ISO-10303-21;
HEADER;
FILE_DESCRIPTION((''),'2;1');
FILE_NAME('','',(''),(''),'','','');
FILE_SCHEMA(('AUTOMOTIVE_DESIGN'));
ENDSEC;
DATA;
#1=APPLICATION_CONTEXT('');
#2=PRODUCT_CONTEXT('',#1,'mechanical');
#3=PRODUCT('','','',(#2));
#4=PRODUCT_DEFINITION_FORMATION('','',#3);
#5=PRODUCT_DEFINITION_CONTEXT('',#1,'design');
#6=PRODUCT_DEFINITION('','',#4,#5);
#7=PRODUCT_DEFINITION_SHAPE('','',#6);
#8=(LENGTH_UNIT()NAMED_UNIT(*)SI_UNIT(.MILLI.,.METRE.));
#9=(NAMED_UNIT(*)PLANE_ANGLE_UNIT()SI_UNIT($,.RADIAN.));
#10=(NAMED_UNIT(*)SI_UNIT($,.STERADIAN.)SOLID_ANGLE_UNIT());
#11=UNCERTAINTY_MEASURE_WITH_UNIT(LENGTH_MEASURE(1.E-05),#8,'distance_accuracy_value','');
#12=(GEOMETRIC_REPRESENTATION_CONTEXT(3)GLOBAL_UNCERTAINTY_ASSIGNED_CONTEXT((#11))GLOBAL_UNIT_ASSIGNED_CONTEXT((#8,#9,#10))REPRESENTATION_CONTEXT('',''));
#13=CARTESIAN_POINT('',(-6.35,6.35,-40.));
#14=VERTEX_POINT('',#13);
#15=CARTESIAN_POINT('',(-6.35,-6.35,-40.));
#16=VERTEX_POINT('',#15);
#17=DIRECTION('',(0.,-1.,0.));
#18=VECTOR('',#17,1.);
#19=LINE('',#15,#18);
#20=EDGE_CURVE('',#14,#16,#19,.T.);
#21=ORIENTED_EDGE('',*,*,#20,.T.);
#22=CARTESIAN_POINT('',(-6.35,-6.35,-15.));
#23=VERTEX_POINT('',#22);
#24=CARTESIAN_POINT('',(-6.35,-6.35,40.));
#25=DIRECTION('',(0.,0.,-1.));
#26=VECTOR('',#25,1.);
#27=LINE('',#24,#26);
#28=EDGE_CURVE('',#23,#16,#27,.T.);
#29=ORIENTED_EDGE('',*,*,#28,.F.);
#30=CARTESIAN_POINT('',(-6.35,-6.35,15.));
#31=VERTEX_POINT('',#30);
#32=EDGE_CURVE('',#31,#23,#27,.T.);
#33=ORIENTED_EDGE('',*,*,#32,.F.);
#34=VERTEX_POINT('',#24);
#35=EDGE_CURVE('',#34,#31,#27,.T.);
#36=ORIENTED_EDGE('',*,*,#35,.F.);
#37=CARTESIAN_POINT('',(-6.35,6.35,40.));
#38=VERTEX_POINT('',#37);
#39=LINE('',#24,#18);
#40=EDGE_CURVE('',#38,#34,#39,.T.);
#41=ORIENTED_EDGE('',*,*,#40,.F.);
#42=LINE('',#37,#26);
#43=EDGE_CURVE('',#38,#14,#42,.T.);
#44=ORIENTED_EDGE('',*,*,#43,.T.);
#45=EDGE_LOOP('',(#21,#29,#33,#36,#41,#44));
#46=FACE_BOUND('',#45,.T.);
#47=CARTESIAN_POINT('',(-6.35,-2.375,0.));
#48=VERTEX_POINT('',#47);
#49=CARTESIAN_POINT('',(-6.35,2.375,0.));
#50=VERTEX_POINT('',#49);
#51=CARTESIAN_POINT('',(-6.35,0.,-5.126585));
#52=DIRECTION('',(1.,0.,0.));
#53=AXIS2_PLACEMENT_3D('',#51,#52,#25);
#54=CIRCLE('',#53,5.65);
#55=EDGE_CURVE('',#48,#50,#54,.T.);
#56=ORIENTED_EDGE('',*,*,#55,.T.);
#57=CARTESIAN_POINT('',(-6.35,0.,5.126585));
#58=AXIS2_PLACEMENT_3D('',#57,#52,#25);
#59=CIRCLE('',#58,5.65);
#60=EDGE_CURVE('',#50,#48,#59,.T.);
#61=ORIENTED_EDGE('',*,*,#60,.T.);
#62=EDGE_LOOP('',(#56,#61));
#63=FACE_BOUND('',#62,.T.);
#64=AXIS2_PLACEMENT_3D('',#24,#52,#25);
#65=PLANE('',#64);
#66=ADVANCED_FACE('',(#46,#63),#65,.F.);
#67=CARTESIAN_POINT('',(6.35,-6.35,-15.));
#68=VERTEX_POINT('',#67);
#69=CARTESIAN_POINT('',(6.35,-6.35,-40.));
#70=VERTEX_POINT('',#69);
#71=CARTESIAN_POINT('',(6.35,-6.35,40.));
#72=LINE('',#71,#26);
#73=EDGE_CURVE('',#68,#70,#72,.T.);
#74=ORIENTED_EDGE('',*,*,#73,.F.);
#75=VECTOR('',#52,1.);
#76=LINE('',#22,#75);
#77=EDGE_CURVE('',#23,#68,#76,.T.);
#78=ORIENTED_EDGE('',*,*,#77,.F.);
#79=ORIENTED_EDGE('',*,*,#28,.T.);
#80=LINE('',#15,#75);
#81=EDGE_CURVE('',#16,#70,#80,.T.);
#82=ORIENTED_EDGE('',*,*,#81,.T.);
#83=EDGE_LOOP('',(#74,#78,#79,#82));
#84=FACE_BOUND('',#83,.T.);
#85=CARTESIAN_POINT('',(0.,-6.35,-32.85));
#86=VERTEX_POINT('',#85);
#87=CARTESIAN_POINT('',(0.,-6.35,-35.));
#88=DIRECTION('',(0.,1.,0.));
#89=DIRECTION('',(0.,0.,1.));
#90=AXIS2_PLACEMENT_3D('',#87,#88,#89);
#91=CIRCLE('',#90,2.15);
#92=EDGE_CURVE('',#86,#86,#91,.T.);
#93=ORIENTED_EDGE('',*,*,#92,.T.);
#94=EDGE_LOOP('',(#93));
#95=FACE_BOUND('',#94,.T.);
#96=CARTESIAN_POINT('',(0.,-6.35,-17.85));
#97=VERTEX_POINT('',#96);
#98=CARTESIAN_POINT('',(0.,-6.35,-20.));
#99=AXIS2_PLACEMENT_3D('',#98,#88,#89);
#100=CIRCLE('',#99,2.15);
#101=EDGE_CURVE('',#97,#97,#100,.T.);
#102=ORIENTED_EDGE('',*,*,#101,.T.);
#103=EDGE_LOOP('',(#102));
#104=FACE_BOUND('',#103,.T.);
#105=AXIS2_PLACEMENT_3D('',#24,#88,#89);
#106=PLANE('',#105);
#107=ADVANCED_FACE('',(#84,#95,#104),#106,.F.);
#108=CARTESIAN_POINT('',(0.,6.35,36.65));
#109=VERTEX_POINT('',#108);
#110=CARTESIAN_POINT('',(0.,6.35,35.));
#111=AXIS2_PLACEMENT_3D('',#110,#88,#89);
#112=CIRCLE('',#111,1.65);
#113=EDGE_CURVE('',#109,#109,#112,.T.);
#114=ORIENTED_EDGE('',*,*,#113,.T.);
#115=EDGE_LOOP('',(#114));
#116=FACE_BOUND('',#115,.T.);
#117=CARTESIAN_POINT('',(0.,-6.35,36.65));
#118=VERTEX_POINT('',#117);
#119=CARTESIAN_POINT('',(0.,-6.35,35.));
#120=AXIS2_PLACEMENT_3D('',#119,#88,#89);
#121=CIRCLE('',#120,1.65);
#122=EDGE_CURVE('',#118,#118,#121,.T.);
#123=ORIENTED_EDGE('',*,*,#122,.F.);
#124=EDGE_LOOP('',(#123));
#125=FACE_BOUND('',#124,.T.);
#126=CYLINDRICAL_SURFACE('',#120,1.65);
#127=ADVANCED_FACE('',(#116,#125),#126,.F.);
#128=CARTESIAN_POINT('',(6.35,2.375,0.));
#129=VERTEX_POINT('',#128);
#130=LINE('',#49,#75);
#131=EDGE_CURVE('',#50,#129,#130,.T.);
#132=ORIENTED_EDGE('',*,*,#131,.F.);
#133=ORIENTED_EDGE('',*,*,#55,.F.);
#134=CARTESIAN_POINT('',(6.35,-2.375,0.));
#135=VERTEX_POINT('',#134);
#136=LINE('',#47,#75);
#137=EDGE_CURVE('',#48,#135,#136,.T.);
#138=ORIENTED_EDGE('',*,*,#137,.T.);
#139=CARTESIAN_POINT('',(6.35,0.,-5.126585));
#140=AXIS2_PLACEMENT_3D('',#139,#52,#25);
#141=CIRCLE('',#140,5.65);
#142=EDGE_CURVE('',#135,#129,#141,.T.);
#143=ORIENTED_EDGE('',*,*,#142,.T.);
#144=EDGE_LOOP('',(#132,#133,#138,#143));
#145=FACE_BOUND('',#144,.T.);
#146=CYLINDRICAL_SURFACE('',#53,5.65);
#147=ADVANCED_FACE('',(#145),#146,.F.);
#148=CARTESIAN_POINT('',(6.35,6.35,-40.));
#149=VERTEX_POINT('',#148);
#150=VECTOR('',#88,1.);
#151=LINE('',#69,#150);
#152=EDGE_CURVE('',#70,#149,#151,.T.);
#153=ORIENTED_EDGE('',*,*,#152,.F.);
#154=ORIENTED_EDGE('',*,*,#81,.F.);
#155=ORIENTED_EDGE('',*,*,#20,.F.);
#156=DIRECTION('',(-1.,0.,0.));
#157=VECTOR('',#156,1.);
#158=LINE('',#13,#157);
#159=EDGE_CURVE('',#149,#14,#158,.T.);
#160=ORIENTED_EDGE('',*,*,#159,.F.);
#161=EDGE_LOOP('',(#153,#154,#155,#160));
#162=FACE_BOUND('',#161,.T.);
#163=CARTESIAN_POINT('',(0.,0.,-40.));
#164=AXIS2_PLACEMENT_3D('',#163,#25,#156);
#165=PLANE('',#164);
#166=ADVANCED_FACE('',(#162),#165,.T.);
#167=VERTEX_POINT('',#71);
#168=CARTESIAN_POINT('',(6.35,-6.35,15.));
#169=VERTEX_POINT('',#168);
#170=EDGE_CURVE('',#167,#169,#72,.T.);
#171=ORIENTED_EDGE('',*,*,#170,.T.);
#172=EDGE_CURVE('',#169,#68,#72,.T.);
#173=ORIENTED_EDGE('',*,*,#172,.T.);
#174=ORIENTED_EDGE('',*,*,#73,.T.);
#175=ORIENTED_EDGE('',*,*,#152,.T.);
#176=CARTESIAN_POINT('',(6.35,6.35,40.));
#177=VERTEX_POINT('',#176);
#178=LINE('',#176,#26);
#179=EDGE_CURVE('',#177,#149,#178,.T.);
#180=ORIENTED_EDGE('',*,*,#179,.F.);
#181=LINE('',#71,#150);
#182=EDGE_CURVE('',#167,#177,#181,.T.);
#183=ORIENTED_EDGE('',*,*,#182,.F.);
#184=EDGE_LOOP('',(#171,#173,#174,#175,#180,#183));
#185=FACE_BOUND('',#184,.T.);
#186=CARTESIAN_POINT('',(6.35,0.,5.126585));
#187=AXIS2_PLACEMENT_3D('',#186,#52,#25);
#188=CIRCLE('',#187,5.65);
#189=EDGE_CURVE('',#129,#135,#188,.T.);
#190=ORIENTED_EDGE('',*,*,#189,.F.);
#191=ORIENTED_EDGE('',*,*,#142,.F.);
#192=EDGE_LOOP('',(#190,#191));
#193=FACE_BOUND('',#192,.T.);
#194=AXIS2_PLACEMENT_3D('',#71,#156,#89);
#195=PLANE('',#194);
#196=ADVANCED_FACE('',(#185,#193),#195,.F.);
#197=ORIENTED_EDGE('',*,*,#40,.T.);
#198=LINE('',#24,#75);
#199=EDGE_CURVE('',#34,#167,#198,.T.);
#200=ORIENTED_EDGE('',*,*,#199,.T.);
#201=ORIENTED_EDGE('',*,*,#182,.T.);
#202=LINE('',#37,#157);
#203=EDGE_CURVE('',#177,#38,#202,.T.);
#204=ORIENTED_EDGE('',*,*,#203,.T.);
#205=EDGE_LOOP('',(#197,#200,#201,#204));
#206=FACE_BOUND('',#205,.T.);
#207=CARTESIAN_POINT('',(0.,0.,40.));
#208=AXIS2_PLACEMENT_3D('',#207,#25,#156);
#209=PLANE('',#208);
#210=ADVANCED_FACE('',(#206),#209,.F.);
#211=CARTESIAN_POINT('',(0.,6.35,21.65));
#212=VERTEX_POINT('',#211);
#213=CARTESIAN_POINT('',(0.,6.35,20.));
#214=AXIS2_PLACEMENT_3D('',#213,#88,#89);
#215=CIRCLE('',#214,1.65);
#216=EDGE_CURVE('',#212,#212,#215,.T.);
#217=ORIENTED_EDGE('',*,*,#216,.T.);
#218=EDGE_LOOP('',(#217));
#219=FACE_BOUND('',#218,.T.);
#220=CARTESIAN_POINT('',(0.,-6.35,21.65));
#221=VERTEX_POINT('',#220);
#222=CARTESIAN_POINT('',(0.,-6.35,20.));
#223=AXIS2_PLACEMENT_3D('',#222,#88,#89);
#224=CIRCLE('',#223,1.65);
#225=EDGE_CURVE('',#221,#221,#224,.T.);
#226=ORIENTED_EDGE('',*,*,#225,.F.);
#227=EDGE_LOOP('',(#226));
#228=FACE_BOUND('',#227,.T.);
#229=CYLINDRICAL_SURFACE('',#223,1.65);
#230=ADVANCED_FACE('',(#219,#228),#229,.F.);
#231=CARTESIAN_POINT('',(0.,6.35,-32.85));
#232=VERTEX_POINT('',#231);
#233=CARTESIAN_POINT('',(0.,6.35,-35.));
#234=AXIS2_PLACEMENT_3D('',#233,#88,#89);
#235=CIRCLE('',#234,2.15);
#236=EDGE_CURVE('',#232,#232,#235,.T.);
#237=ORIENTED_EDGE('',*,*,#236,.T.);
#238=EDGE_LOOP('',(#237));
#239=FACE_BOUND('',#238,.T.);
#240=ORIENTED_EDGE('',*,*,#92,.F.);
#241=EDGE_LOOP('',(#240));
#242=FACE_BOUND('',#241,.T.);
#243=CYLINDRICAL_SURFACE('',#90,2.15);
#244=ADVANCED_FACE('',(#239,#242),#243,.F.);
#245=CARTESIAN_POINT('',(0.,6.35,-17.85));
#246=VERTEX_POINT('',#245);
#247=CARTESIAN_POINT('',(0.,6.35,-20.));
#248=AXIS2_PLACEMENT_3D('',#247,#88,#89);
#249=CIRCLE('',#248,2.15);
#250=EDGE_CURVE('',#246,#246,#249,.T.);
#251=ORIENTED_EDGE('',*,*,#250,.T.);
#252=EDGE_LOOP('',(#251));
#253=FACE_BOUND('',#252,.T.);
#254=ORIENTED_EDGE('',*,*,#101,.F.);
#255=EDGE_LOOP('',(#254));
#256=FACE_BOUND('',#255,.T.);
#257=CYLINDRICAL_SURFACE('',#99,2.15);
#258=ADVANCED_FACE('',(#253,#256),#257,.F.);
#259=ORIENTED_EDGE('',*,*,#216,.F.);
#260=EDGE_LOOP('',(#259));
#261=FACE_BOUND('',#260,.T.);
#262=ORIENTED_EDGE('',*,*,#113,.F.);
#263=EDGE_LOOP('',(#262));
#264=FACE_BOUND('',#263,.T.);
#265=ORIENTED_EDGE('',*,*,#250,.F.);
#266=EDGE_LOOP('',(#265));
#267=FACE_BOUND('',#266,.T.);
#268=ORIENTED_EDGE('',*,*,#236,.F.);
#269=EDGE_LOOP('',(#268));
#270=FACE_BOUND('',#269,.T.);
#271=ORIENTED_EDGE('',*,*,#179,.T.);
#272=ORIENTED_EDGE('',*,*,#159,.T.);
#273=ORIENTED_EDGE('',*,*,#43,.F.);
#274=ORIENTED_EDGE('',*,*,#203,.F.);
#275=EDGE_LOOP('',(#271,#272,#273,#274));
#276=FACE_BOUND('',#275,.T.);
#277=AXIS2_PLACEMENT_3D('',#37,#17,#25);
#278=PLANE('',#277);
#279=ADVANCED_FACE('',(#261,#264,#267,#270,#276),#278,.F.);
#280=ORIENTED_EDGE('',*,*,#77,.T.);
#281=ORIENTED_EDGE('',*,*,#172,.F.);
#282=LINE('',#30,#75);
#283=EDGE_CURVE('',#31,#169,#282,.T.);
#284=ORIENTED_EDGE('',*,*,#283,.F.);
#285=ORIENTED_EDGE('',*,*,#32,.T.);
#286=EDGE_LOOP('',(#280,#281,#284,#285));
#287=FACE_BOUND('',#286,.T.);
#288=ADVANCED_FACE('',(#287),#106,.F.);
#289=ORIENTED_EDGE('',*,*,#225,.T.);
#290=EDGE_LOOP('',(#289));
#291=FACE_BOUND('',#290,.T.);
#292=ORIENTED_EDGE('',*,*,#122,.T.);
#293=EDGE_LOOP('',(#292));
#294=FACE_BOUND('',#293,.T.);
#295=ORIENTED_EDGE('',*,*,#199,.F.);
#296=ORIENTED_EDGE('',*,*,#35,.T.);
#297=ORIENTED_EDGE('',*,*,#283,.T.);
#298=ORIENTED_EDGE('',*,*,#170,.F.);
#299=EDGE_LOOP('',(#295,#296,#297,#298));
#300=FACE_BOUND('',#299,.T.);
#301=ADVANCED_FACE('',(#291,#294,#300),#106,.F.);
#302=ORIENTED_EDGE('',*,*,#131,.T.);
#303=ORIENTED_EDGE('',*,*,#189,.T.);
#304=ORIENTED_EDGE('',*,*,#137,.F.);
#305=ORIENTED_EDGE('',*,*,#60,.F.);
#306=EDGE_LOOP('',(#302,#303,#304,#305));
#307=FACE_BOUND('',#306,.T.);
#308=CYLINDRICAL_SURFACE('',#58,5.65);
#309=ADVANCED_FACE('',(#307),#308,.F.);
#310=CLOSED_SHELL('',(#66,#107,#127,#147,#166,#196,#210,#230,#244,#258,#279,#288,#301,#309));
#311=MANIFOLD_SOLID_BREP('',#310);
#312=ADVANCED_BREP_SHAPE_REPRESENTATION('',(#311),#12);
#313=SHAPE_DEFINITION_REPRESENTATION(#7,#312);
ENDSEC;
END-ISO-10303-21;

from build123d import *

# Parameters (mm, degrees)
SKETCH1_W           = 12.7
SKETCH1_H           = 12.7
BOSS_EXTRUDE1_DEPTH = 40
CUT_EXTRUDE1_DEPTH  = 43.445406112
SKETCH3_R           = 2.15
CUT_EXTRUDE2_DEPTH  = 43.445406112
SKETCH4_R           = 1.65
CUT_EXTRUDE3_DEPTH  = 43.445406112


with BuildPart() as part:
    # Sketch1 → Boss-Extrude1 (new, symmetric)
    with BuildSketch(Plane.XY):
        Rectangle(SKETCH1_W, SKETCH1_H)
    extrude(amount=BOSS_EXTRUDE1_DEPTH, both=True)

    # Sketch2 → Cut-Extrude1 (cut, through all)
    with BuildSketch(Plane(origin=(6.35, 0, 0), x_dir=(0, 0, -1), z_dir=(1, 0, 0))):
        with BuildLine():
            ThreePointArc((0, 2.375), (-10.776585121, 0), (0, -2.375))
            ThreePointArc((0, -2.375), (10.776585121, 0), (0, 2.375))
        make_face()
    extrude(amount=-CUT_EXTRUDE1_DEPTH, mode=Mode.SUBTRACT)

    # Sketch3 → Cut-Extrude2 (cut, through all)
    with BuildSketch(Plane(origin=(0, 6.35, 0), x_dir=(1, 0, 0), z_dir=(0, 1, 0))):
        with Locations((0, 35)):
            Circle(SKETCH3_R)
        with Locations((0, 20)):
            Circle(SKETCH3_R)
    extrude(amount=-CUT_EXTRUDE2_DEPTH, mode=Mode.SUBTRACT)

    # Sketch4 → Cut-Extrude3 (cut, through all)
    with BuildSketch(Plane(origin=(0, 6.35, 0), x_dir=(1, 0, 0), z_dir=(0, 1, 0))):
        with Locations((0, -35)):
            Circle(SKETCH4_R)
        with Locations((0, -20)):
            Circle(SKETCH4_R)
    extrude(amount=-CUT_EXTRUDE3_DEPTH, mode=Mode.SUBTRACT)


solid = part.part
